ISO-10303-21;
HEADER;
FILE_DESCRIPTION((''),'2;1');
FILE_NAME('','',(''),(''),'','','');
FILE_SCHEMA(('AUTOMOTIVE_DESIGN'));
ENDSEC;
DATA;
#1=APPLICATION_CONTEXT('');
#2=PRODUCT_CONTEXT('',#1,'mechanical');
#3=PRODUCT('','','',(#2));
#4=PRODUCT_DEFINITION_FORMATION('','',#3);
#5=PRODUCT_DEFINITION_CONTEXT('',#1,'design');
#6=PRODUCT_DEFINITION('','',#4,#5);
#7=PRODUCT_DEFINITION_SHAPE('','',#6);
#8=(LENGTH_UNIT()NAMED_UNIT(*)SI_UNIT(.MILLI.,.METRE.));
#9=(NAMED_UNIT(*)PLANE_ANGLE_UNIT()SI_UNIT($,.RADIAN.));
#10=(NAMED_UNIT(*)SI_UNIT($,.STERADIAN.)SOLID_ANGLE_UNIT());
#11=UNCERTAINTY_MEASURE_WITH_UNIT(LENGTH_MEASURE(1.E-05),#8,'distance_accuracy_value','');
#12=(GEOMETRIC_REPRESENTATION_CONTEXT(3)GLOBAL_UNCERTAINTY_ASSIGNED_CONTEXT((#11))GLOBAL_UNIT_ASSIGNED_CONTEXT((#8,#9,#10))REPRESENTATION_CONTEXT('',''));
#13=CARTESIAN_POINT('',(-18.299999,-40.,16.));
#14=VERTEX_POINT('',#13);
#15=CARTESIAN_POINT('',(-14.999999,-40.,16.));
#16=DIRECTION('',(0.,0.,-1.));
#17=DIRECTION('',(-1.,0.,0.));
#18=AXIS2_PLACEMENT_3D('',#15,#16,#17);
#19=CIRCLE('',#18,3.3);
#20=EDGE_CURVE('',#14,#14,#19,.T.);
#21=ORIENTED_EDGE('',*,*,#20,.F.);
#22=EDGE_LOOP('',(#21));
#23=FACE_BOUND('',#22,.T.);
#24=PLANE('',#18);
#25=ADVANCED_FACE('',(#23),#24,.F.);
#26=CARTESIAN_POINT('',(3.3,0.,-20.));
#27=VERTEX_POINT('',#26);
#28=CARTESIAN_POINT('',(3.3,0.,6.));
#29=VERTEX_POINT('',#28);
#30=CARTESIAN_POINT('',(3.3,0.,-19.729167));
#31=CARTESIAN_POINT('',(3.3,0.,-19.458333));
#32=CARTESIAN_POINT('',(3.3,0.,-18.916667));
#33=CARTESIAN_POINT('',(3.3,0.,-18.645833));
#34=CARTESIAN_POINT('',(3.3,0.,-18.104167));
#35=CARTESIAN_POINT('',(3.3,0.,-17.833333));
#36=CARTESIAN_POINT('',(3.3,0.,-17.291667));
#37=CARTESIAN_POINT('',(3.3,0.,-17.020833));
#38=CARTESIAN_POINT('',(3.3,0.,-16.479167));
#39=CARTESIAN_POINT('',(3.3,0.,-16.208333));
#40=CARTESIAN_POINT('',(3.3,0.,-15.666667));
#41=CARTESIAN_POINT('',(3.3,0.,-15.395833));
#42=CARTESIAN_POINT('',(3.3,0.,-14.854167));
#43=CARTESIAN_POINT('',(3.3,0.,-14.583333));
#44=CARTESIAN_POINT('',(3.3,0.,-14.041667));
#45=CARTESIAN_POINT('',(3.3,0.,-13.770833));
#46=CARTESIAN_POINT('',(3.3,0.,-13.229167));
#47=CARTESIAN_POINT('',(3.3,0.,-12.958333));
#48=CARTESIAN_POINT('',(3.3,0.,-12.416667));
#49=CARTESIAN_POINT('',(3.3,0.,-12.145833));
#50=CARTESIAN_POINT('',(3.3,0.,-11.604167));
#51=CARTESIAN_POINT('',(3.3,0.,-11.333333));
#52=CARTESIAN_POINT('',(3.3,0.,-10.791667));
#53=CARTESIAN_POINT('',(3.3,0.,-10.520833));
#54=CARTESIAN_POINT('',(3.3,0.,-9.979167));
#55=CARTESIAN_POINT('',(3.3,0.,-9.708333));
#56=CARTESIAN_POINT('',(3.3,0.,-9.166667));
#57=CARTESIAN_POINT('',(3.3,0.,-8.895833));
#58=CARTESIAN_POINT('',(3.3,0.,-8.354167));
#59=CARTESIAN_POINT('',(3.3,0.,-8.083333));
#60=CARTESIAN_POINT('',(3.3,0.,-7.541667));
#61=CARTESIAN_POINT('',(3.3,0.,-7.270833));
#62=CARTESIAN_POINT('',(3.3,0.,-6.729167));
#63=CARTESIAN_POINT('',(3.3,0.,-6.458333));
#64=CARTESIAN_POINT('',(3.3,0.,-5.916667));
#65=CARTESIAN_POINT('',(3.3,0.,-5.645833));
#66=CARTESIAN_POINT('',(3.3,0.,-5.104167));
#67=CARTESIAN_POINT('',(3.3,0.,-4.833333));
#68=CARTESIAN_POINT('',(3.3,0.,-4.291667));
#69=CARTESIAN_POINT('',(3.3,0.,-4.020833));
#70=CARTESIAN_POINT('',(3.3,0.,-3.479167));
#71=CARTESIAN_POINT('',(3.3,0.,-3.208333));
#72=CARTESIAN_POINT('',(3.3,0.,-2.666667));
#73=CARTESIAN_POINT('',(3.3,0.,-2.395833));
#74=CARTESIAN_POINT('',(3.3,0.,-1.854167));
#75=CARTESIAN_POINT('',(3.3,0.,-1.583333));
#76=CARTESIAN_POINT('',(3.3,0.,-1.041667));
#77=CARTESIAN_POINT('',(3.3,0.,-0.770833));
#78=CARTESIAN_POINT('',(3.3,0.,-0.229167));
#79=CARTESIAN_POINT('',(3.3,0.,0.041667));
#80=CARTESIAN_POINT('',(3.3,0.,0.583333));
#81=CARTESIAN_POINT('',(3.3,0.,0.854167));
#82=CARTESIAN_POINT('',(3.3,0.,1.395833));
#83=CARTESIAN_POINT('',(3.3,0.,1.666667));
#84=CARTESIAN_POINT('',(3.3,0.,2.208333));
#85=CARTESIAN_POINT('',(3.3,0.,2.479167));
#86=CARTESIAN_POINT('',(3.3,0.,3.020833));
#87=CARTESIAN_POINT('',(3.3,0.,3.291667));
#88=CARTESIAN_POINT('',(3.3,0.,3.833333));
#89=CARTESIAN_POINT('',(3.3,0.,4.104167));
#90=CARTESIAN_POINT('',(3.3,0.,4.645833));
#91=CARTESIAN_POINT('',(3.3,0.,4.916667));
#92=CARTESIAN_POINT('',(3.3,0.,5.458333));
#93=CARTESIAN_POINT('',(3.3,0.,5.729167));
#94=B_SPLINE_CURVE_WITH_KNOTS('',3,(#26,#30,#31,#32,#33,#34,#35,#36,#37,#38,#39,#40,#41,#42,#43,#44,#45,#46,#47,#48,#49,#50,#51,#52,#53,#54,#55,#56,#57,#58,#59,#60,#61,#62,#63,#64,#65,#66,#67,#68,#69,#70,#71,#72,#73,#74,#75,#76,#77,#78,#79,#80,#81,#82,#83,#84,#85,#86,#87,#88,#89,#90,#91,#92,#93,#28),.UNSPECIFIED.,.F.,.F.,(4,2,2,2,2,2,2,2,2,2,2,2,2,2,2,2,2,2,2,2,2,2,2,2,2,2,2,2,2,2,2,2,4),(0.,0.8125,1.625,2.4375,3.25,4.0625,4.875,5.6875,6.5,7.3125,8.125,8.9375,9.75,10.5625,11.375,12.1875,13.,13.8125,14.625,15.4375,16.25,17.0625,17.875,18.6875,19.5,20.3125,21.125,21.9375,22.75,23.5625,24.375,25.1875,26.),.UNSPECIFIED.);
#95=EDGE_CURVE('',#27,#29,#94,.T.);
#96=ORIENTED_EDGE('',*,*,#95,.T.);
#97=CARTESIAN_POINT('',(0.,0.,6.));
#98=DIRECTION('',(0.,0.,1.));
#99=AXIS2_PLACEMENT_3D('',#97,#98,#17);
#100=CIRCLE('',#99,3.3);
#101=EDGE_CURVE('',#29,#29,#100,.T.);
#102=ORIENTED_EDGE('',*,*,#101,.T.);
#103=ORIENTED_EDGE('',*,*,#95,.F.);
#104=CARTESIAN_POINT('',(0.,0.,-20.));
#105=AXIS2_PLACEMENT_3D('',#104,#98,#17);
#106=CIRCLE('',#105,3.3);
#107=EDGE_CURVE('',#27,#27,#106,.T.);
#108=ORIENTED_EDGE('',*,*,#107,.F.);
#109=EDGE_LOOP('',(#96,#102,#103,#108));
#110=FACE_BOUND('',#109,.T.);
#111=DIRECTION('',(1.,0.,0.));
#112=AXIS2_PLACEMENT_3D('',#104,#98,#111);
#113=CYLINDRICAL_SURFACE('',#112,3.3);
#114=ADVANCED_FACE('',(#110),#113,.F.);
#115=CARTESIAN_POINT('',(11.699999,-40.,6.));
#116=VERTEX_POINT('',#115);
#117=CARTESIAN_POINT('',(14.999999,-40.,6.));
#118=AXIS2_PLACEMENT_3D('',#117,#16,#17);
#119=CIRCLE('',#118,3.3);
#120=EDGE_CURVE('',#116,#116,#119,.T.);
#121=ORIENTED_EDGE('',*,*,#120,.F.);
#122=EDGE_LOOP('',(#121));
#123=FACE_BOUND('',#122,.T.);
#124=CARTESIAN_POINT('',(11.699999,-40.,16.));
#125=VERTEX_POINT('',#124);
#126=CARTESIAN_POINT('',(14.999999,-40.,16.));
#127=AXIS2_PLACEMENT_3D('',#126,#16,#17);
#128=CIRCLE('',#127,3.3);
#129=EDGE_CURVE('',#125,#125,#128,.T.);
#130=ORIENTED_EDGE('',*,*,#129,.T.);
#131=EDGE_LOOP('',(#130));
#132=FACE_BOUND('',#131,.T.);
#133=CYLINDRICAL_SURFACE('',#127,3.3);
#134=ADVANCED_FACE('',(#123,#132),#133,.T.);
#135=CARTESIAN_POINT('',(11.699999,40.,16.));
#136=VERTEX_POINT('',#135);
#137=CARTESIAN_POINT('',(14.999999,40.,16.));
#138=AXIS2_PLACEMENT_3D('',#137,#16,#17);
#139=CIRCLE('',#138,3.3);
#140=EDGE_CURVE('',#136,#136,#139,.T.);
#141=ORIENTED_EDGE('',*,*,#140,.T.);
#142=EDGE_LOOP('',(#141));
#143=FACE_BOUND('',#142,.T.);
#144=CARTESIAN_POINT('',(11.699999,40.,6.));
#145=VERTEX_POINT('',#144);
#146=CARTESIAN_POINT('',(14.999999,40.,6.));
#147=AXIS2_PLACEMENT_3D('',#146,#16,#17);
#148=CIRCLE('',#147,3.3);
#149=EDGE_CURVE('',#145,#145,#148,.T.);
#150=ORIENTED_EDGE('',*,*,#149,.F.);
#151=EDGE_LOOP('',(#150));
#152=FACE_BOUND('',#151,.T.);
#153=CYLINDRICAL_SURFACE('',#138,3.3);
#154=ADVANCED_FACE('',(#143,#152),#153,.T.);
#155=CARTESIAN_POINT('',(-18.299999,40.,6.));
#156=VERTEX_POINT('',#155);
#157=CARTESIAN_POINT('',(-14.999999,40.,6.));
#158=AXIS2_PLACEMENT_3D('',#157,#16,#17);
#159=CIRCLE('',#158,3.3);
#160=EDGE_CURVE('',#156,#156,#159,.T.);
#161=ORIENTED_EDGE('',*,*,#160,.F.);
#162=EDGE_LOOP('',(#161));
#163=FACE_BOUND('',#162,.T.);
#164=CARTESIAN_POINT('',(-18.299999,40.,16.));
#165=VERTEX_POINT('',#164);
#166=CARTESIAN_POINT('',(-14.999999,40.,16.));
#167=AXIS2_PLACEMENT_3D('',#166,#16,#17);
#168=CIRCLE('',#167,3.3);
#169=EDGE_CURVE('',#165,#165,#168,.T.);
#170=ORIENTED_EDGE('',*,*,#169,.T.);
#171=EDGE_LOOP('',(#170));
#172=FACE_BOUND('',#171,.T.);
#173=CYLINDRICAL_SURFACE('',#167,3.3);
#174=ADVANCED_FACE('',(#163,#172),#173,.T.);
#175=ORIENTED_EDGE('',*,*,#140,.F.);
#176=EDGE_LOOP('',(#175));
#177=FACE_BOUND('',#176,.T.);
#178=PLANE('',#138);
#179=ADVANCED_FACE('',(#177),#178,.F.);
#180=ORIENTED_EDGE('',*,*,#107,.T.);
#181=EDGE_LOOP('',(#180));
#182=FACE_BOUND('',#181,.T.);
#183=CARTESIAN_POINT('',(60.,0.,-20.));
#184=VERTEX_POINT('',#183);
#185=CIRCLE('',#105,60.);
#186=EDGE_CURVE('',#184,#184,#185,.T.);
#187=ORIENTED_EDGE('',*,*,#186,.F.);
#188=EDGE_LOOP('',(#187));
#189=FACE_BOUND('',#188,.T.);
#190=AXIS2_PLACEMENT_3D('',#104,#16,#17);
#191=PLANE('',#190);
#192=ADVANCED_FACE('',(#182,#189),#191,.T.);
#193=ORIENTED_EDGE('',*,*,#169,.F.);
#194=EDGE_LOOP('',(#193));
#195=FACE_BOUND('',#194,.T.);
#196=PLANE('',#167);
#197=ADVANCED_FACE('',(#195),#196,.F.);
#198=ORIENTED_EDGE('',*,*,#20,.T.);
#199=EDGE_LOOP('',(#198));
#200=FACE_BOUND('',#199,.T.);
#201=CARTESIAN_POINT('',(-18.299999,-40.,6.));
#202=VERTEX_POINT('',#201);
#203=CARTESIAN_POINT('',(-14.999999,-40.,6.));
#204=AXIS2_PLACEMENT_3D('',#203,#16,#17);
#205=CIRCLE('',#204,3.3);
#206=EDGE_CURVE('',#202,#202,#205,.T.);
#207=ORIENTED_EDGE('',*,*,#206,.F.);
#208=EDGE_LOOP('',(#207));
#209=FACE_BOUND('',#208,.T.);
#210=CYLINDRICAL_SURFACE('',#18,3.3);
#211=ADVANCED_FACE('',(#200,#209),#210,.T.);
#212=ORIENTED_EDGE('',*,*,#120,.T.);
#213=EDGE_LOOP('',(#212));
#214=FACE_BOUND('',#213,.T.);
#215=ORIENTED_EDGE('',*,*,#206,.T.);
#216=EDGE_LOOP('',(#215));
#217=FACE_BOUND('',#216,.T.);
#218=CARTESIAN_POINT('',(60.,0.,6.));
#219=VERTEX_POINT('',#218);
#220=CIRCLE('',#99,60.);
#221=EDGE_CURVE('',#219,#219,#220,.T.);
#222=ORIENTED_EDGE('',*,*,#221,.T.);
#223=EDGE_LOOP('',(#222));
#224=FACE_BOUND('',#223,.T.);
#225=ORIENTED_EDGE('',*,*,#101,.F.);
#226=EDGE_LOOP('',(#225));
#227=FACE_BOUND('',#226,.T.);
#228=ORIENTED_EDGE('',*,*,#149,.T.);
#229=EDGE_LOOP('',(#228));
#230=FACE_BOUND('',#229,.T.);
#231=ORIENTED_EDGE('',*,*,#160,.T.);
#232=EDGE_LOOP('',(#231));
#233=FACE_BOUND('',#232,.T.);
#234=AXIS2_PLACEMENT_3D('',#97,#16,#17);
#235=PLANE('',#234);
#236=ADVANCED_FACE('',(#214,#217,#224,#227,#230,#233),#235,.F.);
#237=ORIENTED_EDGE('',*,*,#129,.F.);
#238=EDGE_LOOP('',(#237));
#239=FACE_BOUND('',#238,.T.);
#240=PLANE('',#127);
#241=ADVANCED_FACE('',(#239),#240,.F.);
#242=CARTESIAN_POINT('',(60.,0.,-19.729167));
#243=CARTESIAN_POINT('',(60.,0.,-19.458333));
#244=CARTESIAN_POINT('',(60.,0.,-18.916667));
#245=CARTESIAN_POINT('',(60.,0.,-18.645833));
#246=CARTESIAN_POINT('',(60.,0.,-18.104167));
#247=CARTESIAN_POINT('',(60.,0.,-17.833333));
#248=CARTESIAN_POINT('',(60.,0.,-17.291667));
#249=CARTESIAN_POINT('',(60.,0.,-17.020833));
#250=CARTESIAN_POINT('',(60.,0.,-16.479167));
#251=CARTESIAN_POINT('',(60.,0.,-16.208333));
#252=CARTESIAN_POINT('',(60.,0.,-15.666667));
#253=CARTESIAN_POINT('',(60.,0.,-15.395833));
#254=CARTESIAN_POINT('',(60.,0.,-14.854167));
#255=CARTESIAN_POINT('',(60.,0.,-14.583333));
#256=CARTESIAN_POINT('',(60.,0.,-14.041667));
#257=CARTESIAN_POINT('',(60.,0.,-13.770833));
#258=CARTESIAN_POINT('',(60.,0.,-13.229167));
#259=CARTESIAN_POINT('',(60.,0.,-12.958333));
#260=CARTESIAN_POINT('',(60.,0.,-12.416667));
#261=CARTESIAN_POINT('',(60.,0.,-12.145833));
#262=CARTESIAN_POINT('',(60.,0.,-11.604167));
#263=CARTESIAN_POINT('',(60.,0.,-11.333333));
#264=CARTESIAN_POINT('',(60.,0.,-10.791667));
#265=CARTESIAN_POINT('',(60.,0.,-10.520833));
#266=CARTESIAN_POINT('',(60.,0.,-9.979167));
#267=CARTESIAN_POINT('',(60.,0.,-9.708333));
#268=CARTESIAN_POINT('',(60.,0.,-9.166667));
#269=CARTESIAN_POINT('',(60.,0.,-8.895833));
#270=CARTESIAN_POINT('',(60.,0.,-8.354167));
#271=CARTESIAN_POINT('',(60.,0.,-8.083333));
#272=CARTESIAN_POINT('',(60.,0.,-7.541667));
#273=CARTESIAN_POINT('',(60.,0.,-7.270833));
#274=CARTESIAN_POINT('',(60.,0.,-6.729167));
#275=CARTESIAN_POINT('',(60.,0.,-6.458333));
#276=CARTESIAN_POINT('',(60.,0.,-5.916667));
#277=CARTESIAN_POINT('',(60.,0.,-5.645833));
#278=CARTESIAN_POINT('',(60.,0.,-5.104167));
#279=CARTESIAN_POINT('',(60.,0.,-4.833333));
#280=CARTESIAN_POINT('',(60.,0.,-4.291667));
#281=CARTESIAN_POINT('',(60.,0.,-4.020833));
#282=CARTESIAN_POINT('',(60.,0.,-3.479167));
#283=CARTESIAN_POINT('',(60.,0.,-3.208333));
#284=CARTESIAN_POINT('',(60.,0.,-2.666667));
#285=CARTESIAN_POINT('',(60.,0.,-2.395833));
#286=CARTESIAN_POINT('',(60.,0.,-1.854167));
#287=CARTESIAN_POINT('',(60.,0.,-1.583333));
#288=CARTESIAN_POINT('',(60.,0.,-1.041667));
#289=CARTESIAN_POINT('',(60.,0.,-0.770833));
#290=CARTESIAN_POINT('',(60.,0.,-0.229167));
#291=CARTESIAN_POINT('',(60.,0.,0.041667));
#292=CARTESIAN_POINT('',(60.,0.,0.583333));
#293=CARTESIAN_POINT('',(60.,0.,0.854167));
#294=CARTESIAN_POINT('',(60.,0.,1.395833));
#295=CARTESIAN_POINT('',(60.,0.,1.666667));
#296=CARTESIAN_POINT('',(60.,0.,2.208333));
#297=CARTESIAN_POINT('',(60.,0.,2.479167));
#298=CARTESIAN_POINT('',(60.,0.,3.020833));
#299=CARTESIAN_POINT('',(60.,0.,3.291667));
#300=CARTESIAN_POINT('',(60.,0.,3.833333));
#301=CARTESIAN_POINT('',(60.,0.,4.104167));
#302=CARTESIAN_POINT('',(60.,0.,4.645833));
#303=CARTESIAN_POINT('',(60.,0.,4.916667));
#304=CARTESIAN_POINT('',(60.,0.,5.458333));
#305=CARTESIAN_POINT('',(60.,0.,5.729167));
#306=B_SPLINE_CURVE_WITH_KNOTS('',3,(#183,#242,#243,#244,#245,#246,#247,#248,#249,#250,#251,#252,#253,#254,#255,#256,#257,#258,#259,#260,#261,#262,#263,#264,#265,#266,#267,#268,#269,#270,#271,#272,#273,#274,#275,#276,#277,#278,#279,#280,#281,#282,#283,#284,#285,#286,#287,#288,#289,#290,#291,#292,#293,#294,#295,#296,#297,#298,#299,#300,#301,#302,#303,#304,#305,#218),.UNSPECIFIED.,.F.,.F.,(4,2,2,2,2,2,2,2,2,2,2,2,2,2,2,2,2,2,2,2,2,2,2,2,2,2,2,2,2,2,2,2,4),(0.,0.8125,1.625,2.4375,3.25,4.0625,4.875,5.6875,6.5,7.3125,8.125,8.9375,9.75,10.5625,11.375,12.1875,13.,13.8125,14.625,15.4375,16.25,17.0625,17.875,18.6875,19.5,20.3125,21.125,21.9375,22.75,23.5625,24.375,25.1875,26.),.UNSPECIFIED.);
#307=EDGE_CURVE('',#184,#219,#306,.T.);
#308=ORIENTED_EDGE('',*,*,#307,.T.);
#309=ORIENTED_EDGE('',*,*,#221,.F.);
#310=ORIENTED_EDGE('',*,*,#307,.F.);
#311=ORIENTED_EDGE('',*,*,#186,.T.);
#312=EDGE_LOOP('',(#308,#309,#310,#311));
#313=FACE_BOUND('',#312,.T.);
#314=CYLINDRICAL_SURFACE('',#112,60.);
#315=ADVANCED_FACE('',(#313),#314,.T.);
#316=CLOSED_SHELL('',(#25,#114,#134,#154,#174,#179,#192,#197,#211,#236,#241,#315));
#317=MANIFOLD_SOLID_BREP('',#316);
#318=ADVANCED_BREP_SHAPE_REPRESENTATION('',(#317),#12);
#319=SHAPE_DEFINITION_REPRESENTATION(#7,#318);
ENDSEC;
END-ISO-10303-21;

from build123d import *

# Parameters (mm, degrees)
SKETCH_1_R      = 60
SKETCH_1_R_2    = 3.3
EXTRUDE_1_DEPTH = 26
SKETCH_2_R      = 3.3
EXTRUDE_2_DEPTH = 36


with BuildPart() as part:
    # 草图1 → 凸台-拉伸1 (new body)
    with BuildSketch(Plane.XY.offset(6)):
        Circle(SKETCH_1_R)
        Circle(SKETCH_1_R_2, mode=Mode.SUBTRACT)
    extrude(amount=-EXTRUDE_1_DEPTH)

    # 草图2 → 凸台-拉伸2 (add)
    with BuildSketch(Plane(origin=(0, 0, -20), x_dir=(-1, 0, 0), z_dir=(0, 0, -1))):
        with Locations((-14.999999495, 40)):
            Circle(SKETCH_2_R)
        with Locations((14.999999495, 40)):
            Circle(SKETCH_2_R)
        with Locations((-14.999999495, -40)):
            Circle(SKETCH_2_R)
        with Locations((14.999999495, -40)):
            Circle(SKETCH_2_R)
    extrude(amount=-EXTRUDE_2_DEPTH)


solid = part.part
